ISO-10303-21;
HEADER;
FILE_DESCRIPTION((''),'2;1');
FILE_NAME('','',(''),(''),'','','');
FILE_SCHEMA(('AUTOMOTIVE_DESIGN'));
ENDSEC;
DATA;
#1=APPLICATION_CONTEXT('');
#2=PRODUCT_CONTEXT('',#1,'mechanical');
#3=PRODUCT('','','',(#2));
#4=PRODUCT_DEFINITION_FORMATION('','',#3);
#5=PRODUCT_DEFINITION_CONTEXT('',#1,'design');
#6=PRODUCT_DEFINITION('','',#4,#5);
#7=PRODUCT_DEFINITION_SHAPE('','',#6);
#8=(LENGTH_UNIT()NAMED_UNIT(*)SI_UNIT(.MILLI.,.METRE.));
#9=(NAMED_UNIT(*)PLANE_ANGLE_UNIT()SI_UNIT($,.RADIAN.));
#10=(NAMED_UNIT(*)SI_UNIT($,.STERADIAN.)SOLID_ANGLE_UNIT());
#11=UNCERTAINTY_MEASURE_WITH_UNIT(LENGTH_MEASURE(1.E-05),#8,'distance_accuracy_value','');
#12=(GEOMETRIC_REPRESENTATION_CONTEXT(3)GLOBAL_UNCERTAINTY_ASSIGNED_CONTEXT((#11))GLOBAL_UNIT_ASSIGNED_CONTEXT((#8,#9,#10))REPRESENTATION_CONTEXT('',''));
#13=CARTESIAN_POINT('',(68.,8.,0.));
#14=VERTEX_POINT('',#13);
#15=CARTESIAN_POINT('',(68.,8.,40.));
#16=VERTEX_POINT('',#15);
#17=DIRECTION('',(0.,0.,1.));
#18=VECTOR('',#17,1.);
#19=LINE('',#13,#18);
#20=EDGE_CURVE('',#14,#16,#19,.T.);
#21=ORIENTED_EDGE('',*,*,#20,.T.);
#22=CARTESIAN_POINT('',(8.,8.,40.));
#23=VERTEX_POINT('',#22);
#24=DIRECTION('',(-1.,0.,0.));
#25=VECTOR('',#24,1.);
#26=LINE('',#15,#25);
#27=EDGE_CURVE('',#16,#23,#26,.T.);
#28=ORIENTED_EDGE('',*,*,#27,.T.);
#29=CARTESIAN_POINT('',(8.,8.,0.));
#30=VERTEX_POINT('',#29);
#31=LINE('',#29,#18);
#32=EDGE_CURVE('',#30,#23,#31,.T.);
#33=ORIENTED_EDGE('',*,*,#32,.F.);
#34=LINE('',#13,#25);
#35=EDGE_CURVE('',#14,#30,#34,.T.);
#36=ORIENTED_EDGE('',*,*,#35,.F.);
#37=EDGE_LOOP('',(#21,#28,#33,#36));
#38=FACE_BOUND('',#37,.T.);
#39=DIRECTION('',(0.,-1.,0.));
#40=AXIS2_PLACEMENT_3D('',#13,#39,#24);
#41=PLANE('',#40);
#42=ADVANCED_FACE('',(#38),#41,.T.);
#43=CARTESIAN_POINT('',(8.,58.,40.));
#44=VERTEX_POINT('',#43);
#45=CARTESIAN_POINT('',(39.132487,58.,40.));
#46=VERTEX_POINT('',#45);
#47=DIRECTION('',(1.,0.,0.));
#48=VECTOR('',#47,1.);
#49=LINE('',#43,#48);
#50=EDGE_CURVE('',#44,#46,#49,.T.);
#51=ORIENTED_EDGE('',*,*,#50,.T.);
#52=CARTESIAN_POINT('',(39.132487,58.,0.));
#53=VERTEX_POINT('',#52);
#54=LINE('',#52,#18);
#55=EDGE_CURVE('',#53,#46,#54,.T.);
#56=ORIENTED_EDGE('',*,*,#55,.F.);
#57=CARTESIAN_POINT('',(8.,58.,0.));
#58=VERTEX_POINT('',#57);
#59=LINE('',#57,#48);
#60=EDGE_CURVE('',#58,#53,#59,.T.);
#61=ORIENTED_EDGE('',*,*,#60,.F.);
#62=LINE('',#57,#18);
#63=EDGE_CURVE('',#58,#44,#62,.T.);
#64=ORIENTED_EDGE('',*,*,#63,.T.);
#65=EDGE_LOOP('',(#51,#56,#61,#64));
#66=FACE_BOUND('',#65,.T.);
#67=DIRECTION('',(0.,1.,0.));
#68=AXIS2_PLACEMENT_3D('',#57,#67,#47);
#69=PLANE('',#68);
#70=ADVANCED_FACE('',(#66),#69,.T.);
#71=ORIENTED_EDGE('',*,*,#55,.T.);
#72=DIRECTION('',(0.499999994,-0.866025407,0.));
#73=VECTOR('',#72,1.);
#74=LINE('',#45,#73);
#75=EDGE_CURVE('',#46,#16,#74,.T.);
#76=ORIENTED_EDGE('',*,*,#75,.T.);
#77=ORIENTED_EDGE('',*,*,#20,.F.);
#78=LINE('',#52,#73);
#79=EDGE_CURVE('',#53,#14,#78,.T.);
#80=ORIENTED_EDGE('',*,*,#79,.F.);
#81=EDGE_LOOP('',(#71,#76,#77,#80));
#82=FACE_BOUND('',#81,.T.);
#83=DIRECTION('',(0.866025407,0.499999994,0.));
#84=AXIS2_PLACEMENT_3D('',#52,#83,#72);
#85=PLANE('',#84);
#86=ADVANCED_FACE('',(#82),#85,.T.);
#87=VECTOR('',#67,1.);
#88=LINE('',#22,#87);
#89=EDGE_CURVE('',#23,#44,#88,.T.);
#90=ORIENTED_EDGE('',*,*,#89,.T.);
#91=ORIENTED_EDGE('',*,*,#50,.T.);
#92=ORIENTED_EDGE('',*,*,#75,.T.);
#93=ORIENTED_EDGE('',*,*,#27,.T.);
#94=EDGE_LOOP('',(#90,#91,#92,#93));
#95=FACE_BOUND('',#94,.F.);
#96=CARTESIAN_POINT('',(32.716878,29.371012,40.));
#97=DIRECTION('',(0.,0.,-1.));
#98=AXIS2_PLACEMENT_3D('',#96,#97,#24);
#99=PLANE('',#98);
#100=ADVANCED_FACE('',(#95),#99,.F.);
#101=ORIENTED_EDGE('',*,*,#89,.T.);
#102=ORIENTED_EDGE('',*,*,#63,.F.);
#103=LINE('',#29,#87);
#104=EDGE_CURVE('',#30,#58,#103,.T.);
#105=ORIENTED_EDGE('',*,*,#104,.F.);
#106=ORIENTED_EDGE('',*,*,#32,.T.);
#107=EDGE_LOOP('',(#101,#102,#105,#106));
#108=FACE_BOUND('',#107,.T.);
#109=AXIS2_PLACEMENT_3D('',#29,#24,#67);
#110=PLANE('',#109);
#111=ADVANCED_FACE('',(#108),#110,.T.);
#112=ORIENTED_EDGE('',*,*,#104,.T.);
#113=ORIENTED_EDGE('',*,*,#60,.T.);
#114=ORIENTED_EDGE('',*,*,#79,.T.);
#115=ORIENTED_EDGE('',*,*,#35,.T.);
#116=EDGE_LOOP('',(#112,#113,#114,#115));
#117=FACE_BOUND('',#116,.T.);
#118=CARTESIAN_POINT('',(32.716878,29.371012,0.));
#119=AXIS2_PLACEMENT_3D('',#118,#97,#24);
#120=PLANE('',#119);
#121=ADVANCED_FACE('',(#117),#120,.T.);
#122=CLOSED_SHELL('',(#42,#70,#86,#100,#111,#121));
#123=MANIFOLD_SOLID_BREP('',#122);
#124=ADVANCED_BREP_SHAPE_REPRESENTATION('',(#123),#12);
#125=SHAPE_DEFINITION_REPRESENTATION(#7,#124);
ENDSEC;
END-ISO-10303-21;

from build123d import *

# Parameters (mm, degrees)
PAD_DEPTH = 40


with BuildPart() as part:
    # Sketch → Pad (new body)
    with BuildSketch(Plane.XY):
        Polygon((8, 58), (39.132487, 58), (68, 8), (8, 8), align=None)
    extrude(amount=PAD_DEPTH)


solid = part.part
